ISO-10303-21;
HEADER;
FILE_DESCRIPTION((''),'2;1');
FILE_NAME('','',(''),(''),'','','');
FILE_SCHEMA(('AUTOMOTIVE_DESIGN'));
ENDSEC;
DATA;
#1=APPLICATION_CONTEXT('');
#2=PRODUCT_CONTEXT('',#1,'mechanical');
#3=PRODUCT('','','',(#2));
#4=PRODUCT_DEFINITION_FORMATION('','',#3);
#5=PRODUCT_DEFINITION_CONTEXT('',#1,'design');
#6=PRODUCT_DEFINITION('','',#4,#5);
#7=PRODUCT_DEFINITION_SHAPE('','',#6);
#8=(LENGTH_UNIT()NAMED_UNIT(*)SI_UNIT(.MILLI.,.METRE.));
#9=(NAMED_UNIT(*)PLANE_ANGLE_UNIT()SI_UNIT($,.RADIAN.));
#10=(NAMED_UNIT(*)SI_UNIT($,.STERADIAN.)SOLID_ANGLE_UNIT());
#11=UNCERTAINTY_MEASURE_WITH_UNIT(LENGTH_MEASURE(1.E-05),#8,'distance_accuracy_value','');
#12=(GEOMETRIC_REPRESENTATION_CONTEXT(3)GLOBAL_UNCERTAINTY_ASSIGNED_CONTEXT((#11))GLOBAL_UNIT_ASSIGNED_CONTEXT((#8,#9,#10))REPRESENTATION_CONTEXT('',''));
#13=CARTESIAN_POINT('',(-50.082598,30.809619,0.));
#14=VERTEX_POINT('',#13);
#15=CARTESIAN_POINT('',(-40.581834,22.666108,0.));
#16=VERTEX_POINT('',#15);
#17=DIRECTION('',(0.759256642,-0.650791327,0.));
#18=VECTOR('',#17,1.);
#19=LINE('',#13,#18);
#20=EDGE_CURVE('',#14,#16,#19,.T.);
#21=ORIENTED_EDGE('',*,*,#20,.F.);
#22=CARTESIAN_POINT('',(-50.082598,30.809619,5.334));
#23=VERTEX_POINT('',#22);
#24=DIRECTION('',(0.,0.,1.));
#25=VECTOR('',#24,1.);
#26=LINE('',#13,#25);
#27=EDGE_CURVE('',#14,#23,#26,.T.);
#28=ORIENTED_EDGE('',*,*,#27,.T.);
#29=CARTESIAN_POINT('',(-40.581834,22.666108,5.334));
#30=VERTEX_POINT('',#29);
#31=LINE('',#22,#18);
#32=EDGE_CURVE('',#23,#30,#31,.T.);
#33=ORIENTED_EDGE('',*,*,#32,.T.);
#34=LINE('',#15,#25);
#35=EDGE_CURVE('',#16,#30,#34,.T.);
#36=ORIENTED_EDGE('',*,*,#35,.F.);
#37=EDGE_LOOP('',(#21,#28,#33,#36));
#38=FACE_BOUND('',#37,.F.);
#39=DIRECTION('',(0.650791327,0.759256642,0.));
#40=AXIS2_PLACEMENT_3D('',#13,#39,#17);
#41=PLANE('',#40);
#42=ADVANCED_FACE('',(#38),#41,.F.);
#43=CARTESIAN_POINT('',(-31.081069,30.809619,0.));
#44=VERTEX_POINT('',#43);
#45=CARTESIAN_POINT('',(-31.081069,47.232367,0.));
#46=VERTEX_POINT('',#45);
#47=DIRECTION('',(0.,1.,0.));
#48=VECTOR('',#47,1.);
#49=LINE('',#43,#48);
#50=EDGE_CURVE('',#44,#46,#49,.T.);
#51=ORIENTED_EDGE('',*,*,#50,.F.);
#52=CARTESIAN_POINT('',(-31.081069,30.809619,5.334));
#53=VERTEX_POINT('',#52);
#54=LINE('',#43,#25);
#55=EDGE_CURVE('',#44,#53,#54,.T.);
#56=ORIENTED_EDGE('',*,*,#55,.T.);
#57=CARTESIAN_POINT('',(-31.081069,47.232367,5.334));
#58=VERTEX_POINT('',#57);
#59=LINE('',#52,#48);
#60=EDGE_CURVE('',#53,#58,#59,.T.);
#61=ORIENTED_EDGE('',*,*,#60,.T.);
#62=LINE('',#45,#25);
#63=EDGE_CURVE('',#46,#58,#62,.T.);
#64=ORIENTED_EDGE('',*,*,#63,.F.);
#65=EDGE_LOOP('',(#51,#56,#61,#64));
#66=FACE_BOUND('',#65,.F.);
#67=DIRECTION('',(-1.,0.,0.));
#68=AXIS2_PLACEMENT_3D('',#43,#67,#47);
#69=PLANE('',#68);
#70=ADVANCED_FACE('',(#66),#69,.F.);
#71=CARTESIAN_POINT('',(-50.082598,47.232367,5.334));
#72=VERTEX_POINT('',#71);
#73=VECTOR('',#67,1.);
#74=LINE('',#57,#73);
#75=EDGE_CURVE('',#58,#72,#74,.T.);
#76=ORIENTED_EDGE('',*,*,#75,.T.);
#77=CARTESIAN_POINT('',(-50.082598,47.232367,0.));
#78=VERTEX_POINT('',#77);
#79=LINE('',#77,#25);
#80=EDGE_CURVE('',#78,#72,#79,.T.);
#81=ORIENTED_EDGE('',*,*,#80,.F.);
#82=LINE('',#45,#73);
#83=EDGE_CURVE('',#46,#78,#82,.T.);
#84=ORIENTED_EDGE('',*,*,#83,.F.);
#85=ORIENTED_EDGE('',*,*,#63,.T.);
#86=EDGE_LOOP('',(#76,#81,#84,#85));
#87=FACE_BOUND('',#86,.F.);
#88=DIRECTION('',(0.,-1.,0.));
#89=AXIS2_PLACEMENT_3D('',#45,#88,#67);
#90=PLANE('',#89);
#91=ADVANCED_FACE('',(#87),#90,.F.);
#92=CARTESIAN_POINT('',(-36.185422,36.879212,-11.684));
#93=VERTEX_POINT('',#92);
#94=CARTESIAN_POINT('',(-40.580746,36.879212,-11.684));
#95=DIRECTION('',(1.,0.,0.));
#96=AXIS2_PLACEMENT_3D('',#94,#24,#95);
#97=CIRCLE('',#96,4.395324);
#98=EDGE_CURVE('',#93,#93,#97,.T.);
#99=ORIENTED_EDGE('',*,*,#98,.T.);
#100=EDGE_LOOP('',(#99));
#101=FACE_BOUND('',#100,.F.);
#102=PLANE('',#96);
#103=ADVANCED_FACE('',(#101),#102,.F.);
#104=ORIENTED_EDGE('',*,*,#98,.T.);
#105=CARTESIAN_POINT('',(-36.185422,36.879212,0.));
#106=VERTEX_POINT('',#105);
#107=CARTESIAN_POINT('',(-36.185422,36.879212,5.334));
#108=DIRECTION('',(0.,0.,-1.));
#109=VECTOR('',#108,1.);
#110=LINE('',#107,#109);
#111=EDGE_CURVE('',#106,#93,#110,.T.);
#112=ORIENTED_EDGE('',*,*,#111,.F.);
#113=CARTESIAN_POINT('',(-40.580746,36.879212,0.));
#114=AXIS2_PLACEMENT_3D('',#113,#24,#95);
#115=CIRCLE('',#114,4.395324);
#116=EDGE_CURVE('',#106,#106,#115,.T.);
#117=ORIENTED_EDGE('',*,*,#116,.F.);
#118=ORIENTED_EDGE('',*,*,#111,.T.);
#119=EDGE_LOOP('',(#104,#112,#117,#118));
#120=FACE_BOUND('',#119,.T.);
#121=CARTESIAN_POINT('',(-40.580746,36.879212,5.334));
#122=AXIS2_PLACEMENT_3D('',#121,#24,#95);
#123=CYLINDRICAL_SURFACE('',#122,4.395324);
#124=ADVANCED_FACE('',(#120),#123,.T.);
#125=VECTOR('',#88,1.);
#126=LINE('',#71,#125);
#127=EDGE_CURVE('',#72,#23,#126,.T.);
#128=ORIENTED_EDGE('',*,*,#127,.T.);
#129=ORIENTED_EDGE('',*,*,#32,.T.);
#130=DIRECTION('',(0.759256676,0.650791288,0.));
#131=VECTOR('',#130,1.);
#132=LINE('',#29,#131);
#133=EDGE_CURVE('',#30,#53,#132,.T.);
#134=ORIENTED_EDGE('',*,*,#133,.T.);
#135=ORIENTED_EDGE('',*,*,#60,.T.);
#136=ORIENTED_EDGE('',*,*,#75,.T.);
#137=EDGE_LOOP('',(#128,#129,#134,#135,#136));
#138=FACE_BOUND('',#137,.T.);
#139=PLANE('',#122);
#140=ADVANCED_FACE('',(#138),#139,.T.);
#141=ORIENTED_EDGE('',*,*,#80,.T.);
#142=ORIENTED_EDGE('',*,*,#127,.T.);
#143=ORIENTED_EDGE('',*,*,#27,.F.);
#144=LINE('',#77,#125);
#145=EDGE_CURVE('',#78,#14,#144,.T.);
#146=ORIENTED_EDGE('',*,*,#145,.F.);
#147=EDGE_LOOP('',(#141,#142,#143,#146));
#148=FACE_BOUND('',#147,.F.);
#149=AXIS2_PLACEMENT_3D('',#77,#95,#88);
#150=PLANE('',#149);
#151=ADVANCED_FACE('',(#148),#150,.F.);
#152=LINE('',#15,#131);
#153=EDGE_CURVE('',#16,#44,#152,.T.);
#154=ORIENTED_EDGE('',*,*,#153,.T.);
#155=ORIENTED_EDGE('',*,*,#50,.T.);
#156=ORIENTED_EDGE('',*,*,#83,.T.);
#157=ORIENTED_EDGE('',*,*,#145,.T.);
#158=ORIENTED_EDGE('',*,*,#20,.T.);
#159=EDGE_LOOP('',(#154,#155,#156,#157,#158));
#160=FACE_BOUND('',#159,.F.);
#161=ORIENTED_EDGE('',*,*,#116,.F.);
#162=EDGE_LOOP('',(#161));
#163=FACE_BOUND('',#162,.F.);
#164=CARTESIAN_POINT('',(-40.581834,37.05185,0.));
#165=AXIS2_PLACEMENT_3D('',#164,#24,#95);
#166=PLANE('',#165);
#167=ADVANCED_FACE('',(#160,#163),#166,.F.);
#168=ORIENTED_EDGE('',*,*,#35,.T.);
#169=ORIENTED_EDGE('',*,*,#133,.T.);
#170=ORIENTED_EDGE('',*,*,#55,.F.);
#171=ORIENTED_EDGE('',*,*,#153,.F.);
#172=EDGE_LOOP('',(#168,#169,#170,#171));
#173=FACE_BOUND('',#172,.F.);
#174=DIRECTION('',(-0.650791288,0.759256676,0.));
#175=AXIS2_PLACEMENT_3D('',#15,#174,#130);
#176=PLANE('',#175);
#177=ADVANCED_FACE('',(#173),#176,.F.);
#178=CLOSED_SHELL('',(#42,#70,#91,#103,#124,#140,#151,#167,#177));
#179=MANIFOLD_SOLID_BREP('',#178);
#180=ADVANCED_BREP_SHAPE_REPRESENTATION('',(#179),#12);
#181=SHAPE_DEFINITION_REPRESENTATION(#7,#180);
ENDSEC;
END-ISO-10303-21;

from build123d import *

# Parameters (mm, degrees)
F1_DEPTH = 5.334
F2_R     = 4.395324
F3_DEPTH = 17.018


with BuildPart() as f1:
    # F0 (on Top) → F1 (new body)
    with BuildSketch(Plane.XY):
        Polygon((-50.082598, 47.232367), (-50.082598, 30.809619), (-40.581834, 22.666108), (-31.081069, 30.809619), (-31.081069, 47.232367), align=None)
    extrude(amount=F1_DEPTH)

    # F2 (on face) → F3 (join)
    with BuildSketch(Plane.XY.offset(5.334)):
        with Locations((-40.580746, 36.879212)):
            Circle(F2_R)
    extrude(amount=-F3_DEPTH)


solid = f1.part
